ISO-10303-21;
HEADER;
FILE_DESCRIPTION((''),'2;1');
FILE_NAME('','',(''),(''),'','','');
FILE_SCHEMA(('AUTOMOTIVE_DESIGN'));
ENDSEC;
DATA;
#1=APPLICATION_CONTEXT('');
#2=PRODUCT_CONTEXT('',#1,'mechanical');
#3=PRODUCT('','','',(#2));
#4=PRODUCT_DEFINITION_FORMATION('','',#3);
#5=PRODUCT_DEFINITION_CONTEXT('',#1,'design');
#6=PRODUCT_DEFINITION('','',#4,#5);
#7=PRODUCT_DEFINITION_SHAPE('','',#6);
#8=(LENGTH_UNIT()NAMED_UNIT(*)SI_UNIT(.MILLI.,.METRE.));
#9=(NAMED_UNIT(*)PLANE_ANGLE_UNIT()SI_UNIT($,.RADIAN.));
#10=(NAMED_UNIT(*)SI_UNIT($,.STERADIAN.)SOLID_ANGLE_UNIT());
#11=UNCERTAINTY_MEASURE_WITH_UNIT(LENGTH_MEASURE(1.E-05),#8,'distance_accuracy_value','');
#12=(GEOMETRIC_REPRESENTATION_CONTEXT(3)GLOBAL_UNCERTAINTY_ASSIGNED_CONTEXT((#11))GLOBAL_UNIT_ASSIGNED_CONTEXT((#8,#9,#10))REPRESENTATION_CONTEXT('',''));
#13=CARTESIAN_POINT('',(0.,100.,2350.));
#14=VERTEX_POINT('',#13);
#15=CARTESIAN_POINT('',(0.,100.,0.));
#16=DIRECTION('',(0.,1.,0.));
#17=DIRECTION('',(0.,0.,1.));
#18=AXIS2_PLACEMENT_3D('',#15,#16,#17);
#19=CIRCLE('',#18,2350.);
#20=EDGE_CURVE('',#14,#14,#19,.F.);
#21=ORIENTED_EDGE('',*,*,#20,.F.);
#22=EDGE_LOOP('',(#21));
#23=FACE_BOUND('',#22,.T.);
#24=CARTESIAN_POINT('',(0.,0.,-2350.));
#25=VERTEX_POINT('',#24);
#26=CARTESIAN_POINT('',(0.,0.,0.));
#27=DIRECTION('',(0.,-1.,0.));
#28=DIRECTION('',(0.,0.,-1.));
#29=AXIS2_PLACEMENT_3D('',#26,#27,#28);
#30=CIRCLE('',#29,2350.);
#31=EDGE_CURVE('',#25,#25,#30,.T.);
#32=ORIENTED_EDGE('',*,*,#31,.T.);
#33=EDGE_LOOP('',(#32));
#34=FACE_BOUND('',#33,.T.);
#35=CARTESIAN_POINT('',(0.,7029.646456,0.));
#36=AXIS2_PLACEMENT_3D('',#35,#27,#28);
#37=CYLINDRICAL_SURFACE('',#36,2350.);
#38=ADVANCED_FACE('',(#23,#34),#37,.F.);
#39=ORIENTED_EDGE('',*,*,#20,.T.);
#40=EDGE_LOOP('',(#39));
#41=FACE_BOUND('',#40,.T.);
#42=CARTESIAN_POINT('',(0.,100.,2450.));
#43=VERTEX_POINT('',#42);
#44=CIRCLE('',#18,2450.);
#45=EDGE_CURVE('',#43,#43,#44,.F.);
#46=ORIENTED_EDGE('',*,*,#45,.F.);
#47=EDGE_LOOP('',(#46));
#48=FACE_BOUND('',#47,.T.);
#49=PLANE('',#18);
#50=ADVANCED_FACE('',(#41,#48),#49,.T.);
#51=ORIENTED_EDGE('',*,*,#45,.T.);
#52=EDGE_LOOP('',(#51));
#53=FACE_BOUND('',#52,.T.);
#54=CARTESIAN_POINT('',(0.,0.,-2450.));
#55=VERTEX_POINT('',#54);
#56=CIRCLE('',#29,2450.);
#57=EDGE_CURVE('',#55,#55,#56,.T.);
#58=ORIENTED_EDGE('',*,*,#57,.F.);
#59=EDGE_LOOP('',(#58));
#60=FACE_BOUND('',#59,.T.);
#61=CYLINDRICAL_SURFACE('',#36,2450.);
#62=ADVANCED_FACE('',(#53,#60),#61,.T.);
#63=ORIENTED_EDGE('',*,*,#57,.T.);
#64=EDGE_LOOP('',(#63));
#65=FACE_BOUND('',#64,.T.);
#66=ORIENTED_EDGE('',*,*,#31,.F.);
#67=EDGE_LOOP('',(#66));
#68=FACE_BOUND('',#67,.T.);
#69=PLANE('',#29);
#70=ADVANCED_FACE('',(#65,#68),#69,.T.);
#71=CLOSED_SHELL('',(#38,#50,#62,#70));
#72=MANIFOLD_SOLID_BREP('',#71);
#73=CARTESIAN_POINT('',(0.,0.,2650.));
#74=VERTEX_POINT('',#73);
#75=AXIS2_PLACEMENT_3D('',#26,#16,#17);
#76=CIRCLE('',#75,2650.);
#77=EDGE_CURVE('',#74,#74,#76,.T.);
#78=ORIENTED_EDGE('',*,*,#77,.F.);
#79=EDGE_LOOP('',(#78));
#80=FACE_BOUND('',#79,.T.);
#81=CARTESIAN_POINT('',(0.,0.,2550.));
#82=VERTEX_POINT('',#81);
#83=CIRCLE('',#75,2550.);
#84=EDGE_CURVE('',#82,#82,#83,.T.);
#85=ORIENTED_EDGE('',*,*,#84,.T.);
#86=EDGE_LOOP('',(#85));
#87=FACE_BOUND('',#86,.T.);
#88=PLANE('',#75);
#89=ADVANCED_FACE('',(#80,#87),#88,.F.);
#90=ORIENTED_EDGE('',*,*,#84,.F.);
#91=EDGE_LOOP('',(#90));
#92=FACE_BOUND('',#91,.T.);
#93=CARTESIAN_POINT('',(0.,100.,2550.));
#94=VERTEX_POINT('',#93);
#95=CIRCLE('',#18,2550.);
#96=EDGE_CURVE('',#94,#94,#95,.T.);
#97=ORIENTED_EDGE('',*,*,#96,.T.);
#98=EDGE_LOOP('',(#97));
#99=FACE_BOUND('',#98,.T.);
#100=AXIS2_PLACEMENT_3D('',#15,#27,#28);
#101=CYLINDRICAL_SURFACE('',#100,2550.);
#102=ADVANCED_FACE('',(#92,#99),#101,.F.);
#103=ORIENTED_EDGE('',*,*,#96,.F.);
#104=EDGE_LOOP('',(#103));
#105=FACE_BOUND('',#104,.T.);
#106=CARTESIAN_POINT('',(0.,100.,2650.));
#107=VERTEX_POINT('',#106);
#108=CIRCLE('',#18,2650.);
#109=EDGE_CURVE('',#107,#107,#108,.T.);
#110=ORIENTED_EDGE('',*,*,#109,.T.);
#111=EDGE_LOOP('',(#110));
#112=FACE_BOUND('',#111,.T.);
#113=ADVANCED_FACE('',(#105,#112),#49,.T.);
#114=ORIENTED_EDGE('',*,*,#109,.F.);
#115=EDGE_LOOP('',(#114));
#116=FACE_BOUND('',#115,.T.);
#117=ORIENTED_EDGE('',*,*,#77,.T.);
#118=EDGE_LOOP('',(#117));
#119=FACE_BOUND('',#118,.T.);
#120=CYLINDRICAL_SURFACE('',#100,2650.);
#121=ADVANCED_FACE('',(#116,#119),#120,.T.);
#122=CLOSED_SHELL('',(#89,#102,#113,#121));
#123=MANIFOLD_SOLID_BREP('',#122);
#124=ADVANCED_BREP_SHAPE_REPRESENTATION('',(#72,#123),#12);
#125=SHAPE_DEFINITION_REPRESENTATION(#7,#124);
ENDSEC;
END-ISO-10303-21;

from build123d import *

# Parameters (mm, degrees)
SKETCH_2_R      = 2650
SKETCH_2_R_2    = 2550
EXTRUDE_1_DEPTH = 100
EXTRUDE_START   = -100
SKETCH_4_R      = 2450
SKETCH_4_R_2    = 2350
EXTRUDE_3_DEPTH = 100


with BuildPart() as part:
    # ｽｹｯﾁ2 → ﾎﾞｽ - 押し出し1 (new body)
    with BuildSketch(Plane(origin=(0, 0, 0), x_dir=(1, 0, 0), z_dir=(0, 1, 0))):
        with Locations(Location((0, 0, 0), (0, 0, 270))):
            Circle(SKETCH_2_R)
        with Locations(Location((0, 0, 0), (0, 0, 270))):
            Circle(SKETCH_2_R_2, mode=Mode.SUBTRACT)
    extrude(amount=EXTRUDE_1_DEPTH)


with BuildPart() as body_2:
    # ｽｹｯﾁ4 → ﾎﾞｽ - 押し出し3 (new body)
    with BuildSketch(Plane(origin=(0, 0, 0), x_dir=(-1, 0, 0), z_dir=(0, -1, 0)).offset(EXTRUDE_START)):
        with Locations(Location((0, 0, 0), (0, 0, 90))):
            Circle(SKETCH_4_R)
        with Locations(Location((0, 0, 0), (0, 0, 90))):
            Circle(SKETCH_4_R_2, mode=Mode.SUBTRACT)
    extrude(amount=EXTRUDE_3_DEPTH)


solid = Compound([part.part, body_2.part])
